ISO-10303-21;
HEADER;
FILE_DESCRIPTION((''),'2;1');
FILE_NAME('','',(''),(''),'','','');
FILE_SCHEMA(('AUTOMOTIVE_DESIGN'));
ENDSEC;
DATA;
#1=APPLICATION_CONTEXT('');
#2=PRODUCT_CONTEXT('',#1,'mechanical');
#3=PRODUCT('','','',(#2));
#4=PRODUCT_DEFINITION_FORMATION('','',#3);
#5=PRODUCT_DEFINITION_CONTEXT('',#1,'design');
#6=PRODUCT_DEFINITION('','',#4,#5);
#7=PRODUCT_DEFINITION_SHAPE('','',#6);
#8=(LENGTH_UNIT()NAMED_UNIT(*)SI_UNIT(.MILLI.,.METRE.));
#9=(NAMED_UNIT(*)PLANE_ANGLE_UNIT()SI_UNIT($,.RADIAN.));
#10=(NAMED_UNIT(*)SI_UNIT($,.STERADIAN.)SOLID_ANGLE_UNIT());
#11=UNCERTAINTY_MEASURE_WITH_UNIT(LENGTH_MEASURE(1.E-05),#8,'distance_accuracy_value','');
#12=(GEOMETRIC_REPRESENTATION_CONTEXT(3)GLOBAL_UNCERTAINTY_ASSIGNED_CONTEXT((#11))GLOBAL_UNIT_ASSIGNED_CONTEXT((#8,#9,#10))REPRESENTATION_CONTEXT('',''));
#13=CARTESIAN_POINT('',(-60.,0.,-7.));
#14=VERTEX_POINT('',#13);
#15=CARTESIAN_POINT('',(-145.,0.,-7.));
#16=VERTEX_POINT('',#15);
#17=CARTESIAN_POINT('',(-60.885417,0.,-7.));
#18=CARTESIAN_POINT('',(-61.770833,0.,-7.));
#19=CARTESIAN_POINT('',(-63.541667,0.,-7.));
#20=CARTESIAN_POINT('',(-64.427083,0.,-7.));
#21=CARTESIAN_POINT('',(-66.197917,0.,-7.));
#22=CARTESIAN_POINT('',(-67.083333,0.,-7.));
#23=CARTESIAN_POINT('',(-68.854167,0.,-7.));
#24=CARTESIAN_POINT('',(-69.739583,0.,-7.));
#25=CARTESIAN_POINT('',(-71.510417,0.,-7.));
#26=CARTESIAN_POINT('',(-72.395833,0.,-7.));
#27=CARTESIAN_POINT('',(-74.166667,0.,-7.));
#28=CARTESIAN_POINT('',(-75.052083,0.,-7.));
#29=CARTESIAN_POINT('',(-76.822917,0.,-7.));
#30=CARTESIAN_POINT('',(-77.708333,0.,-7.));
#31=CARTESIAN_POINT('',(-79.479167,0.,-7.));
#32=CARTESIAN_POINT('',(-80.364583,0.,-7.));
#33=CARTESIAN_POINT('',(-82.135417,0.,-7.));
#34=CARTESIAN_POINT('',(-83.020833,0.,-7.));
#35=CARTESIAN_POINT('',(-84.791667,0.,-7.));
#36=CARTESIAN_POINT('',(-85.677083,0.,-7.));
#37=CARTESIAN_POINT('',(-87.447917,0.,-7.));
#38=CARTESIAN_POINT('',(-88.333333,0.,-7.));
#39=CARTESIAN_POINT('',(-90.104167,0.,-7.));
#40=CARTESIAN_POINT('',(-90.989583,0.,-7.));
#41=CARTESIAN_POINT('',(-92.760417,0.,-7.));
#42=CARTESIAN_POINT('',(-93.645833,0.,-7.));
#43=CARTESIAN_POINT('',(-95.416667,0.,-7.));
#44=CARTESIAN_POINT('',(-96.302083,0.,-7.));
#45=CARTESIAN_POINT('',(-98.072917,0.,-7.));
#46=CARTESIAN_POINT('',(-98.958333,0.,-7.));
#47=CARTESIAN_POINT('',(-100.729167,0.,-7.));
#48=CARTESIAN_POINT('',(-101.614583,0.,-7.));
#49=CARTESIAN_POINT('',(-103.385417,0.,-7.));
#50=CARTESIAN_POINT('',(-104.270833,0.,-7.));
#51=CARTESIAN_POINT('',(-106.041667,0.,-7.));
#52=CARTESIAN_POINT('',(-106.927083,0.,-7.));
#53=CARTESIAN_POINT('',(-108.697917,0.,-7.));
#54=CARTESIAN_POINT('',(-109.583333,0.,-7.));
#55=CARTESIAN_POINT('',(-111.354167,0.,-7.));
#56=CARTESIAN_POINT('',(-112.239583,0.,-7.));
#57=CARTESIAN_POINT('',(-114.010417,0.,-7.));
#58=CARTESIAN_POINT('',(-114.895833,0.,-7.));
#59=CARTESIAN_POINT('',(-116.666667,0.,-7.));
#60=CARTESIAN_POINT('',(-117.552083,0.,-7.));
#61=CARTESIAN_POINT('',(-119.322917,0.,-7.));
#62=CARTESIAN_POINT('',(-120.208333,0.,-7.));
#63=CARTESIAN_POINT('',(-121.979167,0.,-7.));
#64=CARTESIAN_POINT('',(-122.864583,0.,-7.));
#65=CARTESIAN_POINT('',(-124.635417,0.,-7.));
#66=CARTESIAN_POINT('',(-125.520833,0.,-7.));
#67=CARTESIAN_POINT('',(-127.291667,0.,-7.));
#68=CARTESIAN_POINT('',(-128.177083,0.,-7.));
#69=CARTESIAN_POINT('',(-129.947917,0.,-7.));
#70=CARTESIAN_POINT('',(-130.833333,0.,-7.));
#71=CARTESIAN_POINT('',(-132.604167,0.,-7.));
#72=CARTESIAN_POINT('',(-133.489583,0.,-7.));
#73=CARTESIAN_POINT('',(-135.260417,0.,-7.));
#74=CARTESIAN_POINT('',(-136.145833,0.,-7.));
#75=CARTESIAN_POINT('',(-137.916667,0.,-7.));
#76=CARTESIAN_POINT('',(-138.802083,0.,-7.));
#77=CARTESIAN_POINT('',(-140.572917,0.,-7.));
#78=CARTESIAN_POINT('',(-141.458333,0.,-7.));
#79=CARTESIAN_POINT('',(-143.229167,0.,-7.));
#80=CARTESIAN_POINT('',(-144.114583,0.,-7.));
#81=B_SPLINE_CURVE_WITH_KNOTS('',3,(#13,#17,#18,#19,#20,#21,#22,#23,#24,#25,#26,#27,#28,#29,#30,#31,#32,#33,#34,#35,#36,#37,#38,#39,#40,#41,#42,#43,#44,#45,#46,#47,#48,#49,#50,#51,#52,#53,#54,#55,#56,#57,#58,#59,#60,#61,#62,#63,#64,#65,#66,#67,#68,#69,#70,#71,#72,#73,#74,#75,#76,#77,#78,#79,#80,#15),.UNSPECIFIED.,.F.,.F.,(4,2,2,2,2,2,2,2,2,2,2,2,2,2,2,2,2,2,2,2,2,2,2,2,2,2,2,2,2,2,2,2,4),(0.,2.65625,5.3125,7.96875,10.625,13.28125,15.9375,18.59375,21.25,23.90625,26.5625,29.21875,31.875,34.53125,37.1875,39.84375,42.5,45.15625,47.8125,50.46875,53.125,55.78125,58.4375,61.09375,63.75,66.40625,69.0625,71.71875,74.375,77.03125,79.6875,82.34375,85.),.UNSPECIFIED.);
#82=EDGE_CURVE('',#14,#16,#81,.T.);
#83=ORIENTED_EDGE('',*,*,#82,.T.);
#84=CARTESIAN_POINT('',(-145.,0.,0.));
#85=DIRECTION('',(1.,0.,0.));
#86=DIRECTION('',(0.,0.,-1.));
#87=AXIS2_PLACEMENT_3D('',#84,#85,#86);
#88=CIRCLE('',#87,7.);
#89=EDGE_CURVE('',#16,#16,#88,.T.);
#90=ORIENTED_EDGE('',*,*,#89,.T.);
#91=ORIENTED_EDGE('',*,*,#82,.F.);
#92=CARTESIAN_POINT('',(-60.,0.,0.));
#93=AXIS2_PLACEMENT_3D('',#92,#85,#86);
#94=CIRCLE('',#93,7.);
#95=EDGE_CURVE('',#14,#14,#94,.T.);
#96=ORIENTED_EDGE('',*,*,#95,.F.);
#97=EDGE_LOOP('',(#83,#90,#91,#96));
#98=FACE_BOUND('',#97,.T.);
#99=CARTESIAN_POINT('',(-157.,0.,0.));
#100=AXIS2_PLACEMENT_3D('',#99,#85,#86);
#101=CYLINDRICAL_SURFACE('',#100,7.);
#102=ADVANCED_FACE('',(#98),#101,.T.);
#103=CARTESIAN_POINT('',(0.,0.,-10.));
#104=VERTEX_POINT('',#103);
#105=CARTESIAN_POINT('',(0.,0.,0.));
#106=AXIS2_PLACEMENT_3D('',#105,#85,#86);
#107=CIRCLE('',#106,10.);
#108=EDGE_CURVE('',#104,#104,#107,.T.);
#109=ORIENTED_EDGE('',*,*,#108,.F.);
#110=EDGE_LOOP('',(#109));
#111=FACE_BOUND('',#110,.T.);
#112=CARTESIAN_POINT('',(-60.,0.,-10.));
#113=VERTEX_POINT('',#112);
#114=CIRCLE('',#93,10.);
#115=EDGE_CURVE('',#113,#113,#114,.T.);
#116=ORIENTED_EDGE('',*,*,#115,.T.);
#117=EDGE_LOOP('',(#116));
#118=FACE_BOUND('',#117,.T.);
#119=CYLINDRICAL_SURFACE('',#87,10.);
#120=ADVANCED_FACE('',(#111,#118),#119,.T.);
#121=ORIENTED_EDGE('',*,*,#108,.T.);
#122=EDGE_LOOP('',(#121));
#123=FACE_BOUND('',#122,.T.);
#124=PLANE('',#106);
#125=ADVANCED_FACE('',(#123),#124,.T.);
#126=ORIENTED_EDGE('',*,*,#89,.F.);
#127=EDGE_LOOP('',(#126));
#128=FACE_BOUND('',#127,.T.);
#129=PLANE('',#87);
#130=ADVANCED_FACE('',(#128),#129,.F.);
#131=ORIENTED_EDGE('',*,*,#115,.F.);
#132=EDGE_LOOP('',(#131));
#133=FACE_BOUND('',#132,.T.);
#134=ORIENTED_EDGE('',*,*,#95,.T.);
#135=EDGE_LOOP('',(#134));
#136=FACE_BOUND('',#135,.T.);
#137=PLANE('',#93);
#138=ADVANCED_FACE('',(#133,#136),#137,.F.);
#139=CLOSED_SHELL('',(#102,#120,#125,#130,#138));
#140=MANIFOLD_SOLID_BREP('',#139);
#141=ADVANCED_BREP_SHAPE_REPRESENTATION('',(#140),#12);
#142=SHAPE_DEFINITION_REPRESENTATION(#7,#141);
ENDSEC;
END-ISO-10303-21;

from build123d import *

# Parameters (mm, degrees)
SKETCH1_R           = 10
BOSS_EXTRUDE1_DEPTH = 145
SKETCH2_R           = 10
SKETCH2_R_2         = 7
CUT_EXTRUDE1_DEPTH  = 97


with BuildPart() as part:
    # Sketch1 → Boss-Extrude1 (new body)
    with BuildSketch(Plane(origin=(0, 0, 0), x_dir=(0, 0, -1), z_dir=(1, 0, 0))):
        Circle(SKETCH1_R)
    extrude(amount=-BOSS_EXTRUDE1_DEPTH)

    # Sketch2 → Cut-Extrude1 (cut)
    with BuildSketch(Plane(origin=(-60, 0, 0), x_dir=(0, 0, -1), z_dir=(1, 0, 0))):
        Circle(SKETCH2_R)
        Circle(SKETCH2_R_2, mode=Mode.SUBTRACT)
    extrude(amount=-CUT_EXTRUDE1_DEPTH, mode=Mode.SUBTRACT)


solid = part.part
